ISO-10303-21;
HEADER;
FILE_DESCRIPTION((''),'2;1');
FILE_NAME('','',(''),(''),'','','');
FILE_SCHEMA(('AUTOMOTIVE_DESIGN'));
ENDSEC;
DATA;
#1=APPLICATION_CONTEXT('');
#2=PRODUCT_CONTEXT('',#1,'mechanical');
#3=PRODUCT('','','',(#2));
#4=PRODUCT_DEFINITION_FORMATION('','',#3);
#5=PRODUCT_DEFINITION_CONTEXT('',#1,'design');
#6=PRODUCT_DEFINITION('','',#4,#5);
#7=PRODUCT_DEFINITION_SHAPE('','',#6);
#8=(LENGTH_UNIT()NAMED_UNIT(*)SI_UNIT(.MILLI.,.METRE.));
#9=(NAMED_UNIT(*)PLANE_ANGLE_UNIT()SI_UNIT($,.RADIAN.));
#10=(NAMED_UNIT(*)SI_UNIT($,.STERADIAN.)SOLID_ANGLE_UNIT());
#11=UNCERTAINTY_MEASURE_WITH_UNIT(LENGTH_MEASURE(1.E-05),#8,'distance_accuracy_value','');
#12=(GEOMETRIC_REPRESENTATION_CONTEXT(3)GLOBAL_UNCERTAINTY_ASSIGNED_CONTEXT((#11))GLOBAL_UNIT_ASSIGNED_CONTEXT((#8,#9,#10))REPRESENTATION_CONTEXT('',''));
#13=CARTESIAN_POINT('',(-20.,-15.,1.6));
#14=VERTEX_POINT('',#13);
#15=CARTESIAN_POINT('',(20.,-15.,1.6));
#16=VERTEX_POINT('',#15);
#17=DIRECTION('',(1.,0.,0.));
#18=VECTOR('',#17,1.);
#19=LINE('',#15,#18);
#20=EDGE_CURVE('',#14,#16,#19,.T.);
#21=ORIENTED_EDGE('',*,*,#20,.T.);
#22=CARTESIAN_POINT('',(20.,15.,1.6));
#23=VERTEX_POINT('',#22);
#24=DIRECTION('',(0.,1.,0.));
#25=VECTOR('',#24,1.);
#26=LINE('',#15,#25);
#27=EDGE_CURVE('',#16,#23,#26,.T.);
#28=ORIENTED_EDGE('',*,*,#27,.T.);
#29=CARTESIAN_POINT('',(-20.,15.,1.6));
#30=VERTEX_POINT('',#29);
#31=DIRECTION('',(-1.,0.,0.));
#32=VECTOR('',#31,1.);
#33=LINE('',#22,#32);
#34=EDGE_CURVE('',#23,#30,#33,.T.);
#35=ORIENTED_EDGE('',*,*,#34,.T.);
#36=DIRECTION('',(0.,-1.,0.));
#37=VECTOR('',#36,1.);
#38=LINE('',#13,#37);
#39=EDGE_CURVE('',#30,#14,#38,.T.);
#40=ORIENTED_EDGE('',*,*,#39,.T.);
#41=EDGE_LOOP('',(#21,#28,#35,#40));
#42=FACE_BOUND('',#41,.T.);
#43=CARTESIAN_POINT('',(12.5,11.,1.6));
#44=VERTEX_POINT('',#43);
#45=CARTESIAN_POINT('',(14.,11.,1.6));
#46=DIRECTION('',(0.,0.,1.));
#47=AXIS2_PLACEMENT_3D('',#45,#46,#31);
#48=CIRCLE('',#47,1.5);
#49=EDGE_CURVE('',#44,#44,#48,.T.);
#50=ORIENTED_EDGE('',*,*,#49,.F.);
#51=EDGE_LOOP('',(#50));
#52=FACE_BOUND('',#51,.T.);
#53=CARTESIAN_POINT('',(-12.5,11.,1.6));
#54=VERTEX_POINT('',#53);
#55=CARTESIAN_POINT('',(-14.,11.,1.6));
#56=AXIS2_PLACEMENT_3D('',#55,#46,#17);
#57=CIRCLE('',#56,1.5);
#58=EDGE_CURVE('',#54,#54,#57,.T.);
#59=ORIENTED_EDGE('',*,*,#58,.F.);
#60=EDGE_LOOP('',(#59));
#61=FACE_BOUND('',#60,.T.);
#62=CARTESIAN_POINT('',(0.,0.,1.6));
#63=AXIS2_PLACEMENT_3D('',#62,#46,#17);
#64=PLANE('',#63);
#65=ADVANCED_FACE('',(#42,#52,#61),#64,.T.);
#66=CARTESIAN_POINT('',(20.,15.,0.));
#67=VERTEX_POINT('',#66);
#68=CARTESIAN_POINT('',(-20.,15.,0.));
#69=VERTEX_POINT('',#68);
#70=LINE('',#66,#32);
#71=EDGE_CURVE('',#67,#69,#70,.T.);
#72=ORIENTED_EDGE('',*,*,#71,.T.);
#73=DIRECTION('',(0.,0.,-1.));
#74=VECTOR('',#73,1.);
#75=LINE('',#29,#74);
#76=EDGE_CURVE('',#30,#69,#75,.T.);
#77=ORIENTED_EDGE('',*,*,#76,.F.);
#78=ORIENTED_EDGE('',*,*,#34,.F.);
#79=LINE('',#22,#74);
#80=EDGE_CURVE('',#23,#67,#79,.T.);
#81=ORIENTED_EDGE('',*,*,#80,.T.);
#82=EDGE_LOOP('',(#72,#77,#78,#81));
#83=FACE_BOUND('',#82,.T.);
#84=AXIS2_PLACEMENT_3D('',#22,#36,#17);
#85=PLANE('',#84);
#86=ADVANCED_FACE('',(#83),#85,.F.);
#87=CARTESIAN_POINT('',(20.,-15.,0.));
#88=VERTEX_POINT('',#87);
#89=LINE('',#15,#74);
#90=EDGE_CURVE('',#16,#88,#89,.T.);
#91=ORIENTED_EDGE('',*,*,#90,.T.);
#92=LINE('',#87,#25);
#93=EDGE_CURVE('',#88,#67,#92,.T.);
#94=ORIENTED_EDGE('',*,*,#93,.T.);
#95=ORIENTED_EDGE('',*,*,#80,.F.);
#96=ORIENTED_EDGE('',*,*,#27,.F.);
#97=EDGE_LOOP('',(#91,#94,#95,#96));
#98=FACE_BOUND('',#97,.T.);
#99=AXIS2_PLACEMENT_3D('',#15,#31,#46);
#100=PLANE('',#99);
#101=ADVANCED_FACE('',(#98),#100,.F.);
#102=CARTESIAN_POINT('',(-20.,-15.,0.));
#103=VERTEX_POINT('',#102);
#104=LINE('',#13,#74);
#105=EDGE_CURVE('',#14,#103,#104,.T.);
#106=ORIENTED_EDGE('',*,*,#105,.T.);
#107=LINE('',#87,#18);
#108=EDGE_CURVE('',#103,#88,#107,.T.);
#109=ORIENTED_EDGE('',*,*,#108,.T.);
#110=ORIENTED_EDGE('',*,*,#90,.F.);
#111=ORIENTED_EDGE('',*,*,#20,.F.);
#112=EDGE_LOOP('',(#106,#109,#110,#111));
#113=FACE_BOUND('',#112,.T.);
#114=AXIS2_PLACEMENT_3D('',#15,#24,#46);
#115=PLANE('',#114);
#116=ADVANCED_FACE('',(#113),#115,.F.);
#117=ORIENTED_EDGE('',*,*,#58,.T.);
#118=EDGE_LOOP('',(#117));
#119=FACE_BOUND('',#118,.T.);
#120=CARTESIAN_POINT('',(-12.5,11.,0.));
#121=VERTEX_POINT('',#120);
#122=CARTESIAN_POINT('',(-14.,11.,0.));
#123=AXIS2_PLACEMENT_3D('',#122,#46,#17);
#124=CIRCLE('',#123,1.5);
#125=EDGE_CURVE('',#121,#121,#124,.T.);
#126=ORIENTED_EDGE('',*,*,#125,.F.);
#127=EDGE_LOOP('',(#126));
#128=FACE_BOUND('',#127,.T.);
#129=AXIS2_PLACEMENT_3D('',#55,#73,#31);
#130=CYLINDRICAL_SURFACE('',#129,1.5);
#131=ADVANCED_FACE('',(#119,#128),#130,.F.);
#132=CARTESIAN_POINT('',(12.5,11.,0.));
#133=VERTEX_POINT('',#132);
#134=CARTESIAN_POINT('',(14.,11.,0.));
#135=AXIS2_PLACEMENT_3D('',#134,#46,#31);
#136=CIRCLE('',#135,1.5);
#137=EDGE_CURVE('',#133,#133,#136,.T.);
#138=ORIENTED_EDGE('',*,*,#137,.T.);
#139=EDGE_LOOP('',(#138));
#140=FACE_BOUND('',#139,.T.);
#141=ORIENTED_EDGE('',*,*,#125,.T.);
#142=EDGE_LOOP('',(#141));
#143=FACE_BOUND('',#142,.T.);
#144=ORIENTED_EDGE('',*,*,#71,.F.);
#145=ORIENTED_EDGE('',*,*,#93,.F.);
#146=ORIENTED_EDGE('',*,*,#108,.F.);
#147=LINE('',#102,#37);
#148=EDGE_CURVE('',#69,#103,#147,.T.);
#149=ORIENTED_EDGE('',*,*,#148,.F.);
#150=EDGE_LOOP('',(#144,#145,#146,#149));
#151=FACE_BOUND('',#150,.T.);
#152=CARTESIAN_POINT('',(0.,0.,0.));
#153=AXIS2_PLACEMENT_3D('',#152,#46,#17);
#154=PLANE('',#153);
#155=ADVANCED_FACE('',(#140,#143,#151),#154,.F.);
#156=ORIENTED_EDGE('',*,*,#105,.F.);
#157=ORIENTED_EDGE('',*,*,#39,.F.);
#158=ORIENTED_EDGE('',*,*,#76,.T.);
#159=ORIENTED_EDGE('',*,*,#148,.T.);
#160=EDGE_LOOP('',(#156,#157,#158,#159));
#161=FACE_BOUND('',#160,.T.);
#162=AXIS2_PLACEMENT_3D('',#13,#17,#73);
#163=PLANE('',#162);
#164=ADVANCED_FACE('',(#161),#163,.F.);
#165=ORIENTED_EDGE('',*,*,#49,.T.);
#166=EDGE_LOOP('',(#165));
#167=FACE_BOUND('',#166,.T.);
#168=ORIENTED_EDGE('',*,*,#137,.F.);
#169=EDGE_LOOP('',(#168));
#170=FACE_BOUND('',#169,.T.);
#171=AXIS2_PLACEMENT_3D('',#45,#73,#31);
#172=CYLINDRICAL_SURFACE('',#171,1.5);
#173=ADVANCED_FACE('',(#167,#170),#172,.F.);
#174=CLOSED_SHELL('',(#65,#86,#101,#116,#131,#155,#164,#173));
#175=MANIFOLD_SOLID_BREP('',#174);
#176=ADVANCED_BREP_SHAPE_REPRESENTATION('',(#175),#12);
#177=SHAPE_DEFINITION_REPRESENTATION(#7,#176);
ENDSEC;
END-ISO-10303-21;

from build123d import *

# Parameters (mm, degrees)
SKETCH_1_W      = 40
SKETCH_1_H      = 30
SKETCH_1_R      = 1.5
EXTRUDE_1_DEPTH = 1.6


with BuildPart() as part:
    # Эскиз1 → Бобышка-Вытянуть1 (new body)
    with BuildSketch(Plane.XY):
        Rectangle(SKETCH_1_W, SKETCH_1_H)
        with Locations((-14, 11)):
            Circle(SKETCH_1_R, mode=Mode.SUBTRACT)
        with Locations(Location((14, 11, 0), (0, 0, 180))):
            Circle(SKETCH_1_R, mode=Mode.SUBTRACT)
    extrude(amount=EXTRUDE_1_DEPTH)


solid = part.part
